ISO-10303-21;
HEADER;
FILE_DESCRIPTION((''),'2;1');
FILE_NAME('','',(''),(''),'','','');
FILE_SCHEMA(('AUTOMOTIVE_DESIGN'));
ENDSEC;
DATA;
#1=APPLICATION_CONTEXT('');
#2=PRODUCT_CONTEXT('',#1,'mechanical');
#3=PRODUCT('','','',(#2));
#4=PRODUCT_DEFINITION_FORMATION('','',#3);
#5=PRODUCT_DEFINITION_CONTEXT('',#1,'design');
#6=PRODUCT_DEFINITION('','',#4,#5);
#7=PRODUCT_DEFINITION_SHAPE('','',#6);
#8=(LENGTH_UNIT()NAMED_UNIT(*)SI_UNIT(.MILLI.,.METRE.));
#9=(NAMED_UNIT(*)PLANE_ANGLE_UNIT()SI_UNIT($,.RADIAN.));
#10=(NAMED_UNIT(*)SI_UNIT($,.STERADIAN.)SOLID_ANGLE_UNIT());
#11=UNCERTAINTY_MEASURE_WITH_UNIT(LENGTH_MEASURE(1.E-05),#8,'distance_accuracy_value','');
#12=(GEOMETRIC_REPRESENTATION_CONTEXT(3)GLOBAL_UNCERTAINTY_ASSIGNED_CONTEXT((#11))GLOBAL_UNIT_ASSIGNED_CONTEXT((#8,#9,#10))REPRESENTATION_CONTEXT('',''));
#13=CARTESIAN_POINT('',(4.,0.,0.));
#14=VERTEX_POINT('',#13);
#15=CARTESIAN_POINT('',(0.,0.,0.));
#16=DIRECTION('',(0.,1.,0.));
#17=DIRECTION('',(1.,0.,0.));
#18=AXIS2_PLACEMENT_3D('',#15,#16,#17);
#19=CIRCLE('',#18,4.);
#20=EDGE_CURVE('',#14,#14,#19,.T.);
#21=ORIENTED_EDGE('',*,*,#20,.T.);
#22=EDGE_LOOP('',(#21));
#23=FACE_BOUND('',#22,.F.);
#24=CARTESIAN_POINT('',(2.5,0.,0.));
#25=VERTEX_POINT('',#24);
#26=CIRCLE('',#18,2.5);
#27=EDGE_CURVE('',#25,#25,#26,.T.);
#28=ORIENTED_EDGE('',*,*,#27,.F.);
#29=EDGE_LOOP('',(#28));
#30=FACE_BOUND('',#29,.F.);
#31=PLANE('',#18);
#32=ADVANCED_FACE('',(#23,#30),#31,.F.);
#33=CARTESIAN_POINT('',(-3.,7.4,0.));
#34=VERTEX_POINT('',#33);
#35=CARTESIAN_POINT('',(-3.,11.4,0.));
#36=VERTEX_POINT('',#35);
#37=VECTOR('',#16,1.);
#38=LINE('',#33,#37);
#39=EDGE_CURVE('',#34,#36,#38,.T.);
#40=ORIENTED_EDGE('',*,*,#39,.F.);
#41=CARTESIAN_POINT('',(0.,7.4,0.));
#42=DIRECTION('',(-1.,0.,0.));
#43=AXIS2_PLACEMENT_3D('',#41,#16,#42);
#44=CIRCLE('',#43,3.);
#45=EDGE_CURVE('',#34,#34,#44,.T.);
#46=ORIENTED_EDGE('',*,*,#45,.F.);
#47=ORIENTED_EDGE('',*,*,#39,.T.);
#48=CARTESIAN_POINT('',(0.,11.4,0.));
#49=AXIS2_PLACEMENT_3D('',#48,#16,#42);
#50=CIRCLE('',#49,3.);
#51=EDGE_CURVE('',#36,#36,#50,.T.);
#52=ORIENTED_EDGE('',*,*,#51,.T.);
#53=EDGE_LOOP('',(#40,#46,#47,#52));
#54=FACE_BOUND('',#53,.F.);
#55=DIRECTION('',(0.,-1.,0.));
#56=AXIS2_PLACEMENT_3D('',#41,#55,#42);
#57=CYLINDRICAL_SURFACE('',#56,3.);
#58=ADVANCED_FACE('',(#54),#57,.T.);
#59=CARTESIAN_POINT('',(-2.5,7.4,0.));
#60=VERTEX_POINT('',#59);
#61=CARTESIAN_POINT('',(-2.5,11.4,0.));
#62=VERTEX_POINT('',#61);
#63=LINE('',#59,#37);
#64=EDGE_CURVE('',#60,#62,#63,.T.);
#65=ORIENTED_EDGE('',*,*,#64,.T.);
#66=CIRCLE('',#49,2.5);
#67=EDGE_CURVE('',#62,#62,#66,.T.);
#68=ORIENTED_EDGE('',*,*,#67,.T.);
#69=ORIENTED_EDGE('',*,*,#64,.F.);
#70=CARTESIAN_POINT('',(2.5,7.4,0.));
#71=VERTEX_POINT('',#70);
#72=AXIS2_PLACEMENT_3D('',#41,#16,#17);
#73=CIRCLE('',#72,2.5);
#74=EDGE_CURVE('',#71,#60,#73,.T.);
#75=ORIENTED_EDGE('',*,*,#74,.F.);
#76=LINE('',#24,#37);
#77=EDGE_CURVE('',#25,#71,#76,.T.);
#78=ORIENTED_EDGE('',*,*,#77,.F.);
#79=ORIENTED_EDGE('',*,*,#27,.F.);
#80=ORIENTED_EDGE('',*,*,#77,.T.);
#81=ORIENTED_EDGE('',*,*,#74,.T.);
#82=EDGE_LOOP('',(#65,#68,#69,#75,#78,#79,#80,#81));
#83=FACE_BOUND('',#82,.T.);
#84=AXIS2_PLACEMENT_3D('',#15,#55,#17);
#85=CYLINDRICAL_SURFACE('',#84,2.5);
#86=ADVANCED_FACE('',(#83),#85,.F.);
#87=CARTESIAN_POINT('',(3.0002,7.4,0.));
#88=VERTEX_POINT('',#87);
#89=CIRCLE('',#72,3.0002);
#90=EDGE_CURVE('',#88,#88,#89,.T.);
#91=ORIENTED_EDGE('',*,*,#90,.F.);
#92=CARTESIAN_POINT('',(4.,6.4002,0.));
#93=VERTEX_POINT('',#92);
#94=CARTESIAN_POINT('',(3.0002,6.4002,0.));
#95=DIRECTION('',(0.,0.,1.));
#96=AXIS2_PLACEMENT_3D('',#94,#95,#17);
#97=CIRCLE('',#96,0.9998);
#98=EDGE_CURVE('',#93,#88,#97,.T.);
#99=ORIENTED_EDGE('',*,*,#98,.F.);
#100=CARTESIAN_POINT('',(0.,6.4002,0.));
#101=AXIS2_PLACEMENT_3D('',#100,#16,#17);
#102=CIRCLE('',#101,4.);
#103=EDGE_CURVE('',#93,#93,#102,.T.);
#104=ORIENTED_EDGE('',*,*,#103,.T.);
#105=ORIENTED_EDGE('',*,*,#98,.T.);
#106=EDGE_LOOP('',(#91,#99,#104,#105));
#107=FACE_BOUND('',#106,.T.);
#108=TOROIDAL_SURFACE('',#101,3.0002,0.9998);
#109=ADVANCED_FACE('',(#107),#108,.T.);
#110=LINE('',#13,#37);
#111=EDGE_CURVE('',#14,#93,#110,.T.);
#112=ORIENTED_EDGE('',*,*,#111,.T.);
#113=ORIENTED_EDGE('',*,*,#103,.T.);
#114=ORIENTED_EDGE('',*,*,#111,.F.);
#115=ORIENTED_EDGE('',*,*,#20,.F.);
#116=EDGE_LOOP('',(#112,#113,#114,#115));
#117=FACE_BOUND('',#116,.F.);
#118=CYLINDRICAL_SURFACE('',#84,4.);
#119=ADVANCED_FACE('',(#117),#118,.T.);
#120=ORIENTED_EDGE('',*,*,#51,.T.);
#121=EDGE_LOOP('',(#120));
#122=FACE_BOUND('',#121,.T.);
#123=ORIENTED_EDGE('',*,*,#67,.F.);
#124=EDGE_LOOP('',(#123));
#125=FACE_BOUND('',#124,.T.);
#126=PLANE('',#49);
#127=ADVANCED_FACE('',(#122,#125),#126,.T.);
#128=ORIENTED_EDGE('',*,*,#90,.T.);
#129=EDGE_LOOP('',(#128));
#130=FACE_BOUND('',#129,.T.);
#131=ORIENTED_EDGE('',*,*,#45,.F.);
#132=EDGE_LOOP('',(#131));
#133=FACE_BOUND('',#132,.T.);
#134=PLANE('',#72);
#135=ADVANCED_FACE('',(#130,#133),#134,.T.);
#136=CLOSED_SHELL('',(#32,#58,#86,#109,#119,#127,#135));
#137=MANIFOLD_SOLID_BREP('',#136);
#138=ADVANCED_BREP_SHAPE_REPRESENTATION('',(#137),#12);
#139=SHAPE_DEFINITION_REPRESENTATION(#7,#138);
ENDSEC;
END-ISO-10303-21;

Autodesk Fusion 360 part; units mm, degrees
sketch "Sketch1" plane through (0, 0, 0) normal (0, 1, 0) x (1, 0, 0)
  circle A0 centre (0, 0) radius 2.5
  circle A1 centre (0, 0) radius 4
  dimension "d1" = 5
  dimension "d2" = 8
extrude "Extrude1" add sketch "Sketch1" along normal blind 7.4
sketch "Sketch2" plane through (0, 7.4, 0) normal (0, 1, 0) x (-1, 0, 0)
  circle A0 centre (0, 0) radius 2.5
  circle A1 centre (0, 0) radius 4
  circle A2 centre (0, 0) radius 3
  dimension "d5" = 6
extrude "Extrude2" add sketch "Sketch2" along normal blind 4 contours A2
fillet "Fillet1" radius 1 1 edges at (-3.7293, 7.4, 1.4465)
